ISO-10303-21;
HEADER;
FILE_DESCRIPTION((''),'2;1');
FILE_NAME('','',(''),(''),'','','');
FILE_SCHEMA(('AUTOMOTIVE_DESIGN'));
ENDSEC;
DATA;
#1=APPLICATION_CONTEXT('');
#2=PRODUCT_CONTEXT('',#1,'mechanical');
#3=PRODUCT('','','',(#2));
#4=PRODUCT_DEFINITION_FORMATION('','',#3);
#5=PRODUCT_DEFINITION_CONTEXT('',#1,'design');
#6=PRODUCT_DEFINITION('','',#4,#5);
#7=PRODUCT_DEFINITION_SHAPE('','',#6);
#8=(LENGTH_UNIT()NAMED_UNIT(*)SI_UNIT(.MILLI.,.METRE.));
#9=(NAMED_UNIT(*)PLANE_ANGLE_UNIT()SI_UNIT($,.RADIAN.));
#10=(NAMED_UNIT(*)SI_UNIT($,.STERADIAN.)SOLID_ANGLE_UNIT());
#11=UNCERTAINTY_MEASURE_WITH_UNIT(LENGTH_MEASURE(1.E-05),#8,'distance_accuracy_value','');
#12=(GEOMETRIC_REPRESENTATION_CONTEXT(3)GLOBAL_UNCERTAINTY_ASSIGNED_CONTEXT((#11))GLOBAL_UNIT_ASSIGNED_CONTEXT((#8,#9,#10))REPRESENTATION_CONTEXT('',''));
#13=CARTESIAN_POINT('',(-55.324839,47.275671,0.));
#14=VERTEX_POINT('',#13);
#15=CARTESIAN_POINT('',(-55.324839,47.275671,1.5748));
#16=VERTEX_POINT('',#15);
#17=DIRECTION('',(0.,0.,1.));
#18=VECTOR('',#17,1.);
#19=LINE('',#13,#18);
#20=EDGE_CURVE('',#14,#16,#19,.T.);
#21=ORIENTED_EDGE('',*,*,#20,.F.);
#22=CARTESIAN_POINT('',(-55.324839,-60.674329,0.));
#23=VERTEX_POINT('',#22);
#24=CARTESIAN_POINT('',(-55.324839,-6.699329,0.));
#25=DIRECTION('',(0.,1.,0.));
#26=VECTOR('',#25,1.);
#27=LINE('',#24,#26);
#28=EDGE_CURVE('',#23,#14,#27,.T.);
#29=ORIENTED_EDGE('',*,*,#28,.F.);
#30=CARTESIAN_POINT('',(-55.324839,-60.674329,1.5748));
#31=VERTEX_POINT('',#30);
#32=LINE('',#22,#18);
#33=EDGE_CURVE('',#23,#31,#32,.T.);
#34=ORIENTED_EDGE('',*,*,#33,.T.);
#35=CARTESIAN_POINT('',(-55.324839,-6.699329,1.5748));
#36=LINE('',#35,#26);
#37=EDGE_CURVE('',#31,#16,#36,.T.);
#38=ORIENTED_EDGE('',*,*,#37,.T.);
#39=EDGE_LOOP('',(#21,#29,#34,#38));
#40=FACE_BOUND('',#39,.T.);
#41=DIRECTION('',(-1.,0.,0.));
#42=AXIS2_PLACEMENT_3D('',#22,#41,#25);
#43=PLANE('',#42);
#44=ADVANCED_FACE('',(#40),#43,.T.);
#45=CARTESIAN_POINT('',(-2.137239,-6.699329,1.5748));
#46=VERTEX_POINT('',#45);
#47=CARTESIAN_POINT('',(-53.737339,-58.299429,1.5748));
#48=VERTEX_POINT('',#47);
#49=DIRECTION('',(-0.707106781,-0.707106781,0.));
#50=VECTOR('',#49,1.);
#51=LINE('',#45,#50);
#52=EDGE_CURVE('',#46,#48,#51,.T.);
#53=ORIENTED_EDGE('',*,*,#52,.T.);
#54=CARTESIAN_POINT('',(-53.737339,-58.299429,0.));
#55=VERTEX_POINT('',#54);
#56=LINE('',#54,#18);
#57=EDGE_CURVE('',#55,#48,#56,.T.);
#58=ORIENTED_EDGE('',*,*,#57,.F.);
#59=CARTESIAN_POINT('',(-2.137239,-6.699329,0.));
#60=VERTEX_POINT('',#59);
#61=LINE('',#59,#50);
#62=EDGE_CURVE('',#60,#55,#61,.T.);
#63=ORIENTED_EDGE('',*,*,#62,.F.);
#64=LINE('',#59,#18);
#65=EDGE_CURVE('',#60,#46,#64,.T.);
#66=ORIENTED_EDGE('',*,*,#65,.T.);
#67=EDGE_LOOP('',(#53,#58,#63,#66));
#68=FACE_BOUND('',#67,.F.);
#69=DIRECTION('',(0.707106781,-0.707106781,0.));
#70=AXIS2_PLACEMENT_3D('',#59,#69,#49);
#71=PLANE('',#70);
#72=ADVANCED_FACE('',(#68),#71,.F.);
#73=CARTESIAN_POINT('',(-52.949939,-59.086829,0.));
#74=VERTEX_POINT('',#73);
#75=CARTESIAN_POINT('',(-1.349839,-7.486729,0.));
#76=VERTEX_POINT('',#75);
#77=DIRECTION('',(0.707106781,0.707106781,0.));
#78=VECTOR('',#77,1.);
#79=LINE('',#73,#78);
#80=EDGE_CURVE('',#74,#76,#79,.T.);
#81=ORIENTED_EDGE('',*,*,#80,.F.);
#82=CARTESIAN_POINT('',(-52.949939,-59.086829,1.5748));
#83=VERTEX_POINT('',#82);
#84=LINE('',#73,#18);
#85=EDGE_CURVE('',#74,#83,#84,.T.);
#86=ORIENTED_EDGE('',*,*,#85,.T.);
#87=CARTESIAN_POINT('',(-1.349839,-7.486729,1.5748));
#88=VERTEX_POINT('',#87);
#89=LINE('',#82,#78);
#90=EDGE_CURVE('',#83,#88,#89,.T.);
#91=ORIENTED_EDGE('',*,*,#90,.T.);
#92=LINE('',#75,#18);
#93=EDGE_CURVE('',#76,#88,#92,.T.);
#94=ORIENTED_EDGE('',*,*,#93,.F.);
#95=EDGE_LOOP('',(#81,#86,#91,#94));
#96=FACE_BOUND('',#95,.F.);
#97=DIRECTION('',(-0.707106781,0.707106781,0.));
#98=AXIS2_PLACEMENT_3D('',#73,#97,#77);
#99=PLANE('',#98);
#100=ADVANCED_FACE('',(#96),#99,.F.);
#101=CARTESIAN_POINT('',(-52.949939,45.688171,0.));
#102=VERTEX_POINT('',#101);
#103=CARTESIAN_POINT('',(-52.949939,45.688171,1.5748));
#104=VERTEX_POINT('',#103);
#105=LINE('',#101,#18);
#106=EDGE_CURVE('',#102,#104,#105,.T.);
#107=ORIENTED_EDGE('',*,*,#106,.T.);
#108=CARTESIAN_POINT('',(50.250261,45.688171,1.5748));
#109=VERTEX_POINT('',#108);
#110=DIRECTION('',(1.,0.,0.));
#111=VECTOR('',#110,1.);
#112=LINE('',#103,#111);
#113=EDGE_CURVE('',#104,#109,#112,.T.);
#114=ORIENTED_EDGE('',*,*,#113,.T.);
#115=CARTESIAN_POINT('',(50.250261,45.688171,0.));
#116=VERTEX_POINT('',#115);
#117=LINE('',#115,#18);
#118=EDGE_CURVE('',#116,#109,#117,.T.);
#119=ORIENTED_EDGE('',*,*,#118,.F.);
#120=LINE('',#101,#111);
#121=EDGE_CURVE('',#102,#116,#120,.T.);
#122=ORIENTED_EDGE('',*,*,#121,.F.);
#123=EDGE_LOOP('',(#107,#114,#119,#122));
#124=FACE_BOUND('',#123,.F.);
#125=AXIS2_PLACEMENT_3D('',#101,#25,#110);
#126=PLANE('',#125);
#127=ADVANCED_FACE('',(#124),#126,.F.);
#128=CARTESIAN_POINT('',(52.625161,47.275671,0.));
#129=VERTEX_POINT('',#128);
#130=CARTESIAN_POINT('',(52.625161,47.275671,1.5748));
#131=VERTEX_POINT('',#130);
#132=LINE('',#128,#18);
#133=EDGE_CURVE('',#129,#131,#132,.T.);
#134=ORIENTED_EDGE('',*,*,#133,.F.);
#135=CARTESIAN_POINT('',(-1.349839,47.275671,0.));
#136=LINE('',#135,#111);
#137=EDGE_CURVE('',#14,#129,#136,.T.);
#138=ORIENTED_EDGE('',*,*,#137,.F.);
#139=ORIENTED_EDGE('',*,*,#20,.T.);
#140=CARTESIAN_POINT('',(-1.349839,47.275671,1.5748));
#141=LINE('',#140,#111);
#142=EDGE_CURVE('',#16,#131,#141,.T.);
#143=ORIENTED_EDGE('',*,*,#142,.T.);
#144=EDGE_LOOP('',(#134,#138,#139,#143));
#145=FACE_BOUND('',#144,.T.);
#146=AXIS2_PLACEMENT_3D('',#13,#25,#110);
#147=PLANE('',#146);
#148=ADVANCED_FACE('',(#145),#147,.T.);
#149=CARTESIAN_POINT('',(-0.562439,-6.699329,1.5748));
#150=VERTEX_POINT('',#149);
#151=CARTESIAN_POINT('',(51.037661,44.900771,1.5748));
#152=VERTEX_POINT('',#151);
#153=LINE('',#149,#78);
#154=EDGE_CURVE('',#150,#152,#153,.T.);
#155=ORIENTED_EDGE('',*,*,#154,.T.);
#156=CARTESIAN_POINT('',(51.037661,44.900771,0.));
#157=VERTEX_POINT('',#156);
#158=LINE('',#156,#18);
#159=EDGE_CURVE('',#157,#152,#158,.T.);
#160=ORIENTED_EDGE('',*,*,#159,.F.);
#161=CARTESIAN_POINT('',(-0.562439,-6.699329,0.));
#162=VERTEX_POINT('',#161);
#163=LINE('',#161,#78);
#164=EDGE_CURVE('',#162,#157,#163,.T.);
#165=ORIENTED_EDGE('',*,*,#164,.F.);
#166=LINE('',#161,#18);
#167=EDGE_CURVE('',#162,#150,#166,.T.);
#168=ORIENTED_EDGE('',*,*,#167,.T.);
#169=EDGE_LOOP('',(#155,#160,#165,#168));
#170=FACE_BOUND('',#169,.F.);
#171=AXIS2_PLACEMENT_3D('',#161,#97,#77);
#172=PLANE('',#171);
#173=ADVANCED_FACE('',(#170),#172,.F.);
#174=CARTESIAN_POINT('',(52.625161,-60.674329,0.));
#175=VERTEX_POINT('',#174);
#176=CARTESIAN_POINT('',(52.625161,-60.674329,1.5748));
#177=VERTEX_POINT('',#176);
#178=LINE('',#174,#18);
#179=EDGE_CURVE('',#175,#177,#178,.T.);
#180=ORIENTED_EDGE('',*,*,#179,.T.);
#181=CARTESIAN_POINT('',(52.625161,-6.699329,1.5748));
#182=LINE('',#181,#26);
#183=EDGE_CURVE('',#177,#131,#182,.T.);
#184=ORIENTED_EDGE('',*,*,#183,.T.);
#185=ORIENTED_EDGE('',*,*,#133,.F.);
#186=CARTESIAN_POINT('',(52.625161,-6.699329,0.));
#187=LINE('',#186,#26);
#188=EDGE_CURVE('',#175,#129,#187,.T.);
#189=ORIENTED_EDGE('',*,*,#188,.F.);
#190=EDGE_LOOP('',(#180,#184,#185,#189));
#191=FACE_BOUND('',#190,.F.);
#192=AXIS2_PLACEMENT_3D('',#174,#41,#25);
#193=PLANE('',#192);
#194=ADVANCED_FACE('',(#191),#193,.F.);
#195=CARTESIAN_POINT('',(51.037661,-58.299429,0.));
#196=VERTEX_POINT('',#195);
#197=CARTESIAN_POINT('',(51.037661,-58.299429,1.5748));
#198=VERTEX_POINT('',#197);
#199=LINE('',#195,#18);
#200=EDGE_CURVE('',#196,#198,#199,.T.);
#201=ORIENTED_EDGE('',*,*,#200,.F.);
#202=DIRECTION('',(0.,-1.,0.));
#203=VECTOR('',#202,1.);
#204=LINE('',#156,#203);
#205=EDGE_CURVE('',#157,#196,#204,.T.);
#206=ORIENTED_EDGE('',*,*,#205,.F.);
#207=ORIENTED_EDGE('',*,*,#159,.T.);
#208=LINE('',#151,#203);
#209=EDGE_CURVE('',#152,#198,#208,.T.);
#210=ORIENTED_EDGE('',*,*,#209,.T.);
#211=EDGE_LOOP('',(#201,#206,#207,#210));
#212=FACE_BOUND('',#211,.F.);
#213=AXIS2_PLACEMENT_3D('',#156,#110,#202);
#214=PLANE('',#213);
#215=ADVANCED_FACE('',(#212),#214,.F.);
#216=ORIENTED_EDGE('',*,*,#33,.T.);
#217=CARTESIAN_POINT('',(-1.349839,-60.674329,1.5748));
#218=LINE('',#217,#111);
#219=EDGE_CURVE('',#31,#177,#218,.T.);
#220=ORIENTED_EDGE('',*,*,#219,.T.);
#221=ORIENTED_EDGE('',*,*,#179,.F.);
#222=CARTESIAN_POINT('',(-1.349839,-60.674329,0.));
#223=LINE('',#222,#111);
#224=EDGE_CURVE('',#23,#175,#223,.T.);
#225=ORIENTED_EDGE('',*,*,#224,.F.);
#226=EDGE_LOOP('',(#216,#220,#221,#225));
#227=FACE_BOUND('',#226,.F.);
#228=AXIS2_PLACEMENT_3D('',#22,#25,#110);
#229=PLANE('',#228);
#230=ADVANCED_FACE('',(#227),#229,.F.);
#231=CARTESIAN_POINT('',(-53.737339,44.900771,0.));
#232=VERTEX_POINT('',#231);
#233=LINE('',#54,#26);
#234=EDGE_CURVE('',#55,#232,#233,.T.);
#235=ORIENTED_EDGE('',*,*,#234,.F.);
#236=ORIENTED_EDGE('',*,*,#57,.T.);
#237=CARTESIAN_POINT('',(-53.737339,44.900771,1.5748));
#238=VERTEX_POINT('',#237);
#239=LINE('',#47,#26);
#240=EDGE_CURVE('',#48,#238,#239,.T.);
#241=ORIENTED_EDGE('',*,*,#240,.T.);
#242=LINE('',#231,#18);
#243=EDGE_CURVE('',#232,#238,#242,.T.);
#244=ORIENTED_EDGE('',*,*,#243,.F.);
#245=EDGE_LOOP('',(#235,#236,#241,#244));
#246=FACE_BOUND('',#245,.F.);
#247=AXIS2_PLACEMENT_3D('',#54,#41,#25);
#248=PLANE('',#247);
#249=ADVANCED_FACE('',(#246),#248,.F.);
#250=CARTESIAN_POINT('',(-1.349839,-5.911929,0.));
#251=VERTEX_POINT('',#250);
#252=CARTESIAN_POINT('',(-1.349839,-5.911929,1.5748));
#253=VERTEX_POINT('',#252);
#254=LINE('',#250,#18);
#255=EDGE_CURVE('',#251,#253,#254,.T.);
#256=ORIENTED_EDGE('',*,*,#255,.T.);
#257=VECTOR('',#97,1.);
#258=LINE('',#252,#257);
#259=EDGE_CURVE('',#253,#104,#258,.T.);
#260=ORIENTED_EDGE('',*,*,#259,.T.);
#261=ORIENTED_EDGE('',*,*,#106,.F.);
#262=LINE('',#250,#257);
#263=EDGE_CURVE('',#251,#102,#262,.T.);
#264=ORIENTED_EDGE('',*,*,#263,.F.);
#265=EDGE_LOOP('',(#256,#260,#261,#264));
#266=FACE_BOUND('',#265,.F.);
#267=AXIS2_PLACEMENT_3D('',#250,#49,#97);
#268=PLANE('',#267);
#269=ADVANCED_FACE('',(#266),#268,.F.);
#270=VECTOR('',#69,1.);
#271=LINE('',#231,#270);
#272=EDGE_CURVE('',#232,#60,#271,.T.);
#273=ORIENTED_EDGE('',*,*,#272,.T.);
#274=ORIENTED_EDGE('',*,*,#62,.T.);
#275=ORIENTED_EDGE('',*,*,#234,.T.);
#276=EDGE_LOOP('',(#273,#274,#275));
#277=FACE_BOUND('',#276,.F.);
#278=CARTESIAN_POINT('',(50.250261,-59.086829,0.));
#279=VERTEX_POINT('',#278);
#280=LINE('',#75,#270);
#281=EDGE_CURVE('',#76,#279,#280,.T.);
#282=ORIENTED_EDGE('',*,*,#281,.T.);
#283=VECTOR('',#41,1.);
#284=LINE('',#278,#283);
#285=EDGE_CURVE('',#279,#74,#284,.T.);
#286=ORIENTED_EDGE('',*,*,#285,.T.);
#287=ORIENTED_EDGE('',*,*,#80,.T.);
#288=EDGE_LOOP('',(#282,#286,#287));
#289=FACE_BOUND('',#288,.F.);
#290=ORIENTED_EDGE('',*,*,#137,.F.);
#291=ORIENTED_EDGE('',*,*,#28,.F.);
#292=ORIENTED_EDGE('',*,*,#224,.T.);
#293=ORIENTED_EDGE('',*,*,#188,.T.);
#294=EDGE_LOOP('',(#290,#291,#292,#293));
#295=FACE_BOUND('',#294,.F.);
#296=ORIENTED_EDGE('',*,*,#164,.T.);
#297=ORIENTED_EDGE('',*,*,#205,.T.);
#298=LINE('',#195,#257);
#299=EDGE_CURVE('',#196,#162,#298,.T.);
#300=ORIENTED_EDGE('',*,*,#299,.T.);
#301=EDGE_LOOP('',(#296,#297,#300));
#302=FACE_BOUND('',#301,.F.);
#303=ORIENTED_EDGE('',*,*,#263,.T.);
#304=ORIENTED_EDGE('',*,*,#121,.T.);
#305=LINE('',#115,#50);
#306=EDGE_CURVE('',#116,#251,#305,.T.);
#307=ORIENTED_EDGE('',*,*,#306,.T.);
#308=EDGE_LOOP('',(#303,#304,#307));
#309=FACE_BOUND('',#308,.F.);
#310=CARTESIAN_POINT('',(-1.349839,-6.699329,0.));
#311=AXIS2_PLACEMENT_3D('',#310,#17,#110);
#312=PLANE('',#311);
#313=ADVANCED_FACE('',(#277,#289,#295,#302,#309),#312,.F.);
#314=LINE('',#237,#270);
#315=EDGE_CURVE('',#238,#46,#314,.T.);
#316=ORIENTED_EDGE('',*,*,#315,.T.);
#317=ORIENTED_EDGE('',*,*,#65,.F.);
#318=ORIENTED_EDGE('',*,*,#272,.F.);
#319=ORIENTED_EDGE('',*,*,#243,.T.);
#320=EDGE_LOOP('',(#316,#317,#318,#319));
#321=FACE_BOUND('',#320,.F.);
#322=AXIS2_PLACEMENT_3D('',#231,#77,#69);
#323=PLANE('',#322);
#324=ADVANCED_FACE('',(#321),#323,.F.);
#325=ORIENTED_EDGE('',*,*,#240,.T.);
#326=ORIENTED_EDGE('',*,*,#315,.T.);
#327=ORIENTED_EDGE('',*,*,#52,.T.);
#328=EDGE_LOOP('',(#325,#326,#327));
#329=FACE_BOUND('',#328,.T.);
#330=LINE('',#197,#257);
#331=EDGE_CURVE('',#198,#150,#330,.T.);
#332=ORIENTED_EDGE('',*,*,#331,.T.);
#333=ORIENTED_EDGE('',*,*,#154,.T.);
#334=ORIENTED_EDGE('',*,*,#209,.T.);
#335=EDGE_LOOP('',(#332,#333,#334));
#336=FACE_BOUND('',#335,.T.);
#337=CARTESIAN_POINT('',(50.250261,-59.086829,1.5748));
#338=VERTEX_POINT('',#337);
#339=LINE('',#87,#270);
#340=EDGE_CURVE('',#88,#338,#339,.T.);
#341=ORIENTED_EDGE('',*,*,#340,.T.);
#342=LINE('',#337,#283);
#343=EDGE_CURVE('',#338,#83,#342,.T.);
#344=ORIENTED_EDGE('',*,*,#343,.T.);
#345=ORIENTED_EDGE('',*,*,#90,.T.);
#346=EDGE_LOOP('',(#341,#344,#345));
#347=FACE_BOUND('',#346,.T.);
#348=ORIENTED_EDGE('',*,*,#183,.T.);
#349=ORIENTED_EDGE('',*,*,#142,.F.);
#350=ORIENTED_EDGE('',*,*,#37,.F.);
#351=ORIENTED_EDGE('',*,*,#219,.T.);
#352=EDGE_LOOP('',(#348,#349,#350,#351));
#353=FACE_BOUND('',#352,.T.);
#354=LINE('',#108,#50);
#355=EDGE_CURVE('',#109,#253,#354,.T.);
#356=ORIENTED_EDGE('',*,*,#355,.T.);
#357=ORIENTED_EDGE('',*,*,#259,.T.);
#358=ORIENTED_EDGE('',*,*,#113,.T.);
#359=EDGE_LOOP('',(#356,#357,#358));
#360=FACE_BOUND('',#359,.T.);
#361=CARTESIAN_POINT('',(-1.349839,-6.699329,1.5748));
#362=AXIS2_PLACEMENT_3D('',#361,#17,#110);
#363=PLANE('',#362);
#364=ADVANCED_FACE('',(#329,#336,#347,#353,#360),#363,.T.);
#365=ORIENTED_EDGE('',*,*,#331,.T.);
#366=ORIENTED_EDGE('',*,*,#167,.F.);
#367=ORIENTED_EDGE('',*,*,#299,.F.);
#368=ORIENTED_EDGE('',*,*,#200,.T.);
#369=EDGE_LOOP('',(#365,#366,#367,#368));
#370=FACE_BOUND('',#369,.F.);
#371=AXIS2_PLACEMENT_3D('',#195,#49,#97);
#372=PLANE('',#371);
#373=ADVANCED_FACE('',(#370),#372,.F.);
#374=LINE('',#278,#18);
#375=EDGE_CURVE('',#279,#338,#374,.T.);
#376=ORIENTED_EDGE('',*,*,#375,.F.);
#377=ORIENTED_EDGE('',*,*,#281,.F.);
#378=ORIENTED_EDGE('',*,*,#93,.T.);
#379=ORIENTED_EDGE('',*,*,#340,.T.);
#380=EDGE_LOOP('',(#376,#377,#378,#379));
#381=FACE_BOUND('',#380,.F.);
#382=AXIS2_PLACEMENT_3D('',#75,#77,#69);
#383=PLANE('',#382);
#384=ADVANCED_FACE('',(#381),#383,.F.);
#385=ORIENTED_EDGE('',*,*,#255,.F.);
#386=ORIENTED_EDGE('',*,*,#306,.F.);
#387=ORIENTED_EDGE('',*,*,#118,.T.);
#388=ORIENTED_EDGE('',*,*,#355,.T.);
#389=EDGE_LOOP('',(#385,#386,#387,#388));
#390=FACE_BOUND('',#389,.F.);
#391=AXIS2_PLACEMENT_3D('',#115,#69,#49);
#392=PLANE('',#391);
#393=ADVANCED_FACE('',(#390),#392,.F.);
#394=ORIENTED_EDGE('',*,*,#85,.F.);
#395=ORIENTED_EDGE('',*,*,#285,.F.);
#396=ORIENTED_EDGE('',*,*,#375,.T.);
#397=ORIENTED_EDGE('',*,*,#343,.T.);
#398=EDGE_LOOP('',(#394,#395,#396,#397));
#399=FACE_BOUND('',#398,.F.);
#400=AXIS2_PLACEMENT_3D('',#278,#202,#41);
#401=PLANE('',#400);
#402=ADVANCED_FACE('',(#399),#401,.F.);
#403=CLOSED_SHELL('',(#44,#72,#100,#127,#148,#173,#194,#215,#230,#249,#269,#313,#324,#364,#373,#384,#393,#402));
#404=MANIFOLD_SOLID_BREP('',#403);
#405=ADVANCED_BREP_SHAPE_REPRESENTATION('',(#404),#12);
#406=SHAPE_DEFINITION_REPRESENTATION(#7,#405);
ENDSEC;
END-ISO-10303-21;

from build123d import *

# Parameters (mm, degrees)
F0_W     = 107.95
F0_H     = 107.95
F1_DEPTH = 1.5748


with BuildPart() as f1:
    # F0 (on Top) → F1 (new body)
    with BuildSketch(Plane.XY):
        with Locations((-1.349839, -6.699329)):
            Rectangle(F0_W, F0_H)
        Polygon((50.250261, -59.086829), (-52.949939, -59.086829), (-1.349839, -7.486729), align=None, mode=Mode.SUBTRACT)
        Polygon((-53.737339, -58.299429), (-53.737339, 44.900771), (-2.137239, -6.699329), align=None, mode=Mode.SUBTRACT)
        Polygon((-1.349839, -5.911929), (-52.949939, 45.688171), (50.250261, 45.688171), align=None, mode=Mode.SUBTRACT)
        Polygon((-0.562439, -6.699329), (51.037661, 44.900771), (51.037661, -58.299429), align=None, mode=Mode.SUBTRACT)
    extrude(amount=F1_DEPTH)


solid = f1.part
